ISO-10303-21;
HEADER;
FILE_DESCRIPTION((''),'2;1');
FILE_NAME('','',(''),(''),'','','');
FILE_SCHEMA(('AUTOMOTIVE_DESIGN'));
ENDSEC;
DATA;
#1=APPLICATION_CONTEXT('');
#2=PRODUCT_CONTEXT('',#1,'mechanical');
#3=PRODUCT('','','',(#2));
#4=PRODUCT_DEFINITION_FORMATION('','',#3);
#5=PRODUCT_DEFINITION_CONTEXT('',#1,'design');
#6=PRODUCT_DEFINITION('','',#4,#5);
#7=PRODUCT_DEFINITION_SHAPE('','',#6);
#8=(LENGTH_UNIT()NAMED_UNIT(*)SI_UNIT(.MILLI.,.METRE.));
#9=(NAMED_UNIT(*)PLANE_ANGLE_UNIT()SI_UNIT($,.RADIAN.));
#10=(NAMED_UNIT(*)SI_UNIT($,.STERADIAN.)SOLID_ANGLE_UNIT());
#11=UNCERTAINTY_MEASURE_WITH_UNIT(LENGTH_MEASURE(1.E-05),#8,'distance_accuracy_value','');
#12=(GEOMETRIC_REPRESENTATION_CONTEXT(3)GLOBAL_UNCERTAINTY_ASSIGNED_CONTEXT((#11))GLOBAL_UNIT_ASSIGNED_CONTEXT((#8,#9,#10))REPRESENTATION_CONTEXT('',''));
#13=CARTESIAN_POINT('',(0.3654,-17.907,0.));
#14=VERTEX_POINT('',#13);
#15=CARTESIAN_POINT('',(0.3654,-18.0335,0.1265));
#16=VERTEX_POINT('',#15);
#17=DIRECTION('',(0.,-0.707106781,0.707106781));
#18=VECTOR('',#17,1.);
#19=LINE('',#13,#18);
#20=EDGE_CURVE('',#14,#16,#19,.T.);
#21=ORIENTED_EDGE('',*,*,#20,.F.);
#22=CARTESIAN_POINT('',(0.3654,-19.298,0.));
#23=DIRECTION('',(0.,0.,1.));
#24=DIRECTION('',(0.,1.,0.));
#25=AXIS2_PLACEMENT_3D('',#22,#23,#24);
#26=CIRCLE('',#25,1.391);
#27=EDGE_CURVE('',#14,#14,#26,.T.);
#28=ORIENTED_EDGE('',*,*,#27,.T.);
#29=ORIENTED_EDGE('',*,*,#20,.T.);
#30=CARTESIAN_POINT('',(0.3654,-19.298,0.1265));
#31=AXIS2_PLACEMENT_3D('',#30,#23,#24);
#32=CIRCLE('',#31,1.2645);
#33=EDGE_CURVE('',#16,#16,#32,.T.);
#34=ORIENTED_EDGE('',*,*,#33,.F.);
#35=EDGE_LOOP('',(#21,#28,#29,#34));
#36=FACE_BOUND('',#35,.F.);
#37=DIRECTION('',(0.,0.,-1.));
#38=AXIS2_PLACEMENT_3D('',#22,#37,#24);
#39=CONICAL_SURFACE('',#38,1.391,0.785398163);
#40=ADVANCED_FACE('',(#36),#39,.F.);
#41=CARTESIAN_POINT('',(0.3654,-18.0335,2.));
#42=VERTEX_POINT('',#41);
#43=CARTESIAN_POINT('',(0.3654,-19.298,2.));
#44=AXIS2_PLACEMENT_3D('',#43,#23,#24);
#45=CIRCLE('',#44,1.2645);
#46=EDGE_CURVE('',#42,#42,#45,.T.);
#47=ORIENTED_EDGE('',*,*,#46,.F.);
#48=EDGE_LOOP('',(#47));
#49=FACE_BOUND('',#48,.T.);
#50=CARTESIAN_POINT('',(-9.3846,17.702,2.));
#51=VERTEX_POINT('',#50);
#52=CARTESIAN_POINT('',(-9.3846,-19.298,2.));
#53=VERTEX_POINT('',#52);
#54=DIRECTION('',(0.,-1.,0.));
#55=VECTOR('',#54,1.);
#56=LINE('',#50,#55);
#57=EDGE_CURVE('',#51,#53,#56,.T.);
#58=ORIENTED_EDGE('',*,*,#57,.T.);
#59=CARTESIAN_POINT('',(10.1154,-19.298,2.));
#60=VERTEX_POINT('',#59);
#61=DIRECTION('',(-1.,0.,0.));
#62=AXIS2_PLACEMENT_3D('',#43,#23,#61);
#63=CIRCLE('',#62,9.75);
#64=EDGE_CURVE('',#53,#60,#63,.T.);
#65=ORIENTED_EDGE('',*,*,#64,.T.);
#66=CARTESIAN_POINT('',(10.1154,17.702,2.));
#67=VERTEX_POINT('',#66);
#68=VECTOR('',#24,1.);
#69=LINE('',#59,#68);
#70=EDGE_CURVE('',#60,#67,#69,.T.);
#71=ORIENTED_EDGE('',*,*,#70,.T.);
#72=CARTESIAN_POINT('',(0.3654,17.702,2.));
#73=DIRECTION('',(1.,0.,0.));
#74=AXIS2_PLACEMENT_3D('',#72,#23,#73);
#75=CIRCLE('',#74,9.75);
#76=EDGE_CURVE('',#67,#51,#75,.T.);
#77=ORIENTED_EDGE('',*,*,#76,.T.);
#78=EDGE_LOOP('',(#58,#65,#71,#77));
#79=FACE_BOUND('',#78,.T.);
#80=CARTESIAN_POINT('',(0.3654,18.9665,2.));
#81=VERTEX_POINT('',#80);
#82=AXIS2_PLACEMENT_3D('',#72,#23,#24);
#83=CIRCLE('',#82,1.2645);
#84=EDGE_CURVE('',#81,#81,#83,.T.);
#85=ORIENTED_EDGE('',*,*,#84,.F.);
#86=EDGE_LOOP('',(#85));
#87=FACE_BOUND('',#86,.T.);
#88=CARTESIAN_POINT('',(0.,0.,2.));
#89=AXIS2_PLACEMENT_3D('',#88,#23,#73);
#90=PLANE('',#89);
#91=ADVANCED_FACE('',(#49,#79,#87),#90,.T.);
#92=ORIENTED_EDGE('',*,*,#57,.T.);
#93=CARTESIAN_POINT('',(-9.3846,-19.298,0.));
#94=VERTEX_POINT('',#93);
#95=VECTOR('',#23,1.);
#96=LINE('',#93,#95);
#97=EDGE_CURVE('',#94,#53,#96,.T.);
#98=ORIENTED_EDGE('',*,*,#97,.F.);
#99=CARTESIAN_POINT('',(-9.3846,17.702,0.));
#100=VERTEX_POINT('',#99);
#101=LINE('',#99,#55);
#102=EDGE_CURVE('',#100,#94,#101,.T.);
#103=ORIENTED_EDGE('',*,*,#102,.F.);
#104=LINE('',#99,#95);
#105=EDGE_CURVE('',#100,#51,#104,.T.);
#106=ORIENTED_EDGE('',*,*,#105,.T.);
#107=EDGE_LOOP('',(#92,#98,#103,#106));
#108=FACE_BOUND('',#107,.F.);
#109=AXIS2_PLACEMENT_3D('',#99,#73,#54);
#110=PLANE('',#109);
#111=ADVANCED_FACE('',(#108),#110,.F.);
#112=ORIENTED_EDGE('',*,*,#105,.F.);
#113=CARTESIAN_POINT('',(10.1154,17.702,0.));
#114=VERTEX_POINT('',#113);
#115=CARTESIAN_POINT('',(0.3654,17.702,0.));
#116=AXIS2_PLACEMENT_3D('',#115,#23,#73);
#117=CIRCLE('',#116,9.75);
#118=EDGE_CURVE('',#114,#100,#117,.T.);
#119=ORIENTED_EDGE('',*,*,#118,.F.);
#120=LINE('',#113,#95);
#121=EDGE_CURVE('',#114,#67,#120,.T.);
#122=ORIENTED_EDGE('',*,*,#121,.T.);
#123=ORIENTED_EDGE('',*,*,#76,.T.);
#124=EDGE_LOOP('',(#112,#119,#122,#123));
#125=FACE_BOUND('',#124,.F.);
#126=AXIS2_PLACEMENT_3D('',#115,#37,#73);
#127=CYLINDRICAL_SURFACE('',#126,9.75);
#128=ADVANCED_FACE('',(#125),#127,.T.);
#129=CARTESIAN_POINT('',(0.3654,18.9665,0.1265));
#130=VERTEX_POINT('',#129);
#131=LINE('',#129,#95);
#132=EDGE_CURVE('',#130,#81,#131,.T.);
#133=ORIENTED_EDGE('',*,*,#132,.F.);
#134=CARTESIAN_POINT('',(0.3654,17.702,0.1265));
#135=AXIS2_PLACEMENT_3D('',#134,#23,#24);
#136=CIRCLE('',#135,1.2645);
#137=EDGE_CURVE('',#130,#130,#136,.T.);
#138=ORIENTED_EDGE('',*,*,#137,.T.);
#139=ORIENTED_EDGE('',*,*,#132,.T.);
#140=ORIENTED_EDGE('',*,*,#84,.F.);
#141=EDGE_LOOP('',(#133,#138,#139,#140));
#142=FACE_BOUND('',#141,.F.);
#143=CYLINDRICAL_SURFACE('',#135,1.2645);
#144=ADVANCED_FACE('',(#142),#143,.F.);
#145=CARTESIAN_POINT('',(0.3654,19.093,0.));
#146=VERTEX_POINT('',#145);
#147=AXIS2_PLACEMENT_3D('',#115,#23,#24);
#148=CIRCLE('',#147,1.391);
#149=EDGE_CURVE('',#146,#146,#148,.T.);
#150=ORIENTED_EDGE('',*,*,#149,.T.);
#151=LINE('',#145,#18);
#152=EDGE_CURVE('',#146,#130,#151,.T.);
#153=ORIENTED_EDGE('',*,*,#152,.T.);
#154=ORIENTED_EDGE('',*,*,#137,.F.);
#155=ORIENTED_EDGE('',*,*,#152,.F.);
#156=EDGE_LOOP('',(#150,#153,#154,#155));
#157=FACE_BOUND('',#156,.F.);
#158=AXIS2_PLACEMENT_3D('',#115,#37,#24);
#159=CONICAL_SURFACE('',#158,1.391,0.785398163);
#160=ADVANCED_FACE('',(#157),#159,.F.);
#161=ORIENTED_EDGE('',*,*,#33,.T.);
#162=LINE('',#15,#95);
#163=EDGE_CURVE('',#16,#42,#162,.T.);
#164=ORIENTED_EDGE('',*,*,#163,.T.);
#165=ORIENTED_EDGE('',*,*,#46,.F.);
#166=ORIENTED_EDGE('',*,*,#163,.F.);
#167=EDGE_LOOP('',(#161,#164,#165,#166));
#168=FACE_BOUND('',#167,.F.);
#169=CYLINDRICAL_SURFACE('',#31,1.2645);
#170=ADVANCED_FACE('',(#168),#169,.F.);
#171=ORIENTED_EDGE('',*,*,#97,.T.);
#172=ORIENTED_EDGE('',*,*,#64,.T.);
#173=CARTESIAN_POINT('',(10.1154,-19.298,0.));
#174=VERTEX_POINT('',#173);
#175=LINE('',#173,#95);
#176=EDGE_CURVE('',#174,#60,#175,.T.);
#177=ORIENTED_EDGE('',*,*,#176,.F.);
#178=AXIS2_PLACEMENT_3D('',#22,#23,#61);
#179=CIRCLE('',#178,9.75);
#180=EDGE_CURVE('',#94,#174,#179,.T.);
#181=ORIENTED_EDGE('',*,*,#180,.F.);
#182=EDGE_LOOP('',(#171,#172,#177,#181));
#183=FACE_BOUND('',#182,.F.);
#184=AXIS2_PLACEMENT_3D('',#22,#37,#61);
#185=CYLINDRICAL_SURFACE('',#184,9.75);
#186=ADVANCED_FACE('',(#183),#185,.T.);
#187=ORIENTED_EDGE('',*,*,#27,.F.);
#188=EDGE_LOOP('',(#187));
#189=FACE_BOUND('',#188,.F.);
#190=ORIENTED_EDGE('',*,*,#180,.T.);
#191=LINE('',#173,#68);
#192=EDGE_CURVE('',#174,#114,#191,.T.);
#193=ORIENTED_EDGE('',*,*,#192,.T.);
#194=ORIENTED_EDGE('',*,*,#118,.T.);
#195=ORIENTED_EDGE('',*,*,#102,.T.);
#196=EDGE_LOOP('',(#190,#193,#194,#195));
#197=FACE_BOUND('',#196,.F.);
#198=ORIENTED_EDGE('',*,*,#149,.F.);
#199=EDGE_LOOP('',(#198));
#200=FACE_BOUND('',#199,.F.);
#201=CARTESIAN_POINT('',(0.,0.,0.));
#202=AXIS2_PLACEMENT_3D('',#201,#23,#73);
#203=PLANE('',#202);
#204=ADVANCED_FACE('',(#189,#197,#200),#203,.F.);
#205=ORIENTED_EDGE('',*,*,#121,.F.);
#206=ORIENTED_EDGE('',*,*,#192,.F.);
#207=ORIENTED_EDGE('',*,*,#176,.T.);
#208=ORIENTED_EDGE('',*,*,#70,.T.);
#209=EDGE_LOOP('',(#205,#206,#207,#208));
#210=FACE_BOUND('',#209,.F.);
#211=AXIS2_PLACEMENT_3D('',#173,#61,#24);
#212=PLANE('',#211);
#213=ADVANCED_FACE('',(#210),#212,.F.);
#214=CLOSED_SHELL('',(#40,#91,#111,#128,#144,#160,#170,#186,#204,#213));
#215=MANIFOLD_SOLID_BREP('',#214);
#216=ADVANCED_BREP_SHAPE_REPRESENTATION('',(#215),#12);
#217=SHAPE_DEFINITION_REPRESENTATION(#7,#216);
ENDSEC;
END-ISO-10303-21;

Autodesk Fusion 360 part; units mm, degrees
sketch "Sketch1" plane through (0, 0, 0) normal (0, 0, 1) x (1, 0, 0)
  line L0 (-9.3846, 17.702) -> (-9.3846, -19.298)
  arc A0 (-9.3846, -19.298) -> (10.1154, -19.298) centre (0.3654, -19.298) ccw
  line L1 (10.1154, -19.298) -> (10.1154, 17.702)
  arc A1 (10.1154, 17.702) -> (-9.3846, 17.702) centre (0.3654, 17.702) ccw
  line L2 (0.3654, 17.702) -> (0.3654, -19.298) construction
  dimension "d1" = 37
  dimension "d2" = 9.75
extrude "Extrude1" add sketch "Sketch1" along normal blind 2
hole "Hole1" at (0.3654, 17.702, 0) at (0.3654, -19.298, 0) direction (0, 0, 1) diameter 2.529 depth 2 tip angle 180 countersink diameter 2.782 countersink angle 90
